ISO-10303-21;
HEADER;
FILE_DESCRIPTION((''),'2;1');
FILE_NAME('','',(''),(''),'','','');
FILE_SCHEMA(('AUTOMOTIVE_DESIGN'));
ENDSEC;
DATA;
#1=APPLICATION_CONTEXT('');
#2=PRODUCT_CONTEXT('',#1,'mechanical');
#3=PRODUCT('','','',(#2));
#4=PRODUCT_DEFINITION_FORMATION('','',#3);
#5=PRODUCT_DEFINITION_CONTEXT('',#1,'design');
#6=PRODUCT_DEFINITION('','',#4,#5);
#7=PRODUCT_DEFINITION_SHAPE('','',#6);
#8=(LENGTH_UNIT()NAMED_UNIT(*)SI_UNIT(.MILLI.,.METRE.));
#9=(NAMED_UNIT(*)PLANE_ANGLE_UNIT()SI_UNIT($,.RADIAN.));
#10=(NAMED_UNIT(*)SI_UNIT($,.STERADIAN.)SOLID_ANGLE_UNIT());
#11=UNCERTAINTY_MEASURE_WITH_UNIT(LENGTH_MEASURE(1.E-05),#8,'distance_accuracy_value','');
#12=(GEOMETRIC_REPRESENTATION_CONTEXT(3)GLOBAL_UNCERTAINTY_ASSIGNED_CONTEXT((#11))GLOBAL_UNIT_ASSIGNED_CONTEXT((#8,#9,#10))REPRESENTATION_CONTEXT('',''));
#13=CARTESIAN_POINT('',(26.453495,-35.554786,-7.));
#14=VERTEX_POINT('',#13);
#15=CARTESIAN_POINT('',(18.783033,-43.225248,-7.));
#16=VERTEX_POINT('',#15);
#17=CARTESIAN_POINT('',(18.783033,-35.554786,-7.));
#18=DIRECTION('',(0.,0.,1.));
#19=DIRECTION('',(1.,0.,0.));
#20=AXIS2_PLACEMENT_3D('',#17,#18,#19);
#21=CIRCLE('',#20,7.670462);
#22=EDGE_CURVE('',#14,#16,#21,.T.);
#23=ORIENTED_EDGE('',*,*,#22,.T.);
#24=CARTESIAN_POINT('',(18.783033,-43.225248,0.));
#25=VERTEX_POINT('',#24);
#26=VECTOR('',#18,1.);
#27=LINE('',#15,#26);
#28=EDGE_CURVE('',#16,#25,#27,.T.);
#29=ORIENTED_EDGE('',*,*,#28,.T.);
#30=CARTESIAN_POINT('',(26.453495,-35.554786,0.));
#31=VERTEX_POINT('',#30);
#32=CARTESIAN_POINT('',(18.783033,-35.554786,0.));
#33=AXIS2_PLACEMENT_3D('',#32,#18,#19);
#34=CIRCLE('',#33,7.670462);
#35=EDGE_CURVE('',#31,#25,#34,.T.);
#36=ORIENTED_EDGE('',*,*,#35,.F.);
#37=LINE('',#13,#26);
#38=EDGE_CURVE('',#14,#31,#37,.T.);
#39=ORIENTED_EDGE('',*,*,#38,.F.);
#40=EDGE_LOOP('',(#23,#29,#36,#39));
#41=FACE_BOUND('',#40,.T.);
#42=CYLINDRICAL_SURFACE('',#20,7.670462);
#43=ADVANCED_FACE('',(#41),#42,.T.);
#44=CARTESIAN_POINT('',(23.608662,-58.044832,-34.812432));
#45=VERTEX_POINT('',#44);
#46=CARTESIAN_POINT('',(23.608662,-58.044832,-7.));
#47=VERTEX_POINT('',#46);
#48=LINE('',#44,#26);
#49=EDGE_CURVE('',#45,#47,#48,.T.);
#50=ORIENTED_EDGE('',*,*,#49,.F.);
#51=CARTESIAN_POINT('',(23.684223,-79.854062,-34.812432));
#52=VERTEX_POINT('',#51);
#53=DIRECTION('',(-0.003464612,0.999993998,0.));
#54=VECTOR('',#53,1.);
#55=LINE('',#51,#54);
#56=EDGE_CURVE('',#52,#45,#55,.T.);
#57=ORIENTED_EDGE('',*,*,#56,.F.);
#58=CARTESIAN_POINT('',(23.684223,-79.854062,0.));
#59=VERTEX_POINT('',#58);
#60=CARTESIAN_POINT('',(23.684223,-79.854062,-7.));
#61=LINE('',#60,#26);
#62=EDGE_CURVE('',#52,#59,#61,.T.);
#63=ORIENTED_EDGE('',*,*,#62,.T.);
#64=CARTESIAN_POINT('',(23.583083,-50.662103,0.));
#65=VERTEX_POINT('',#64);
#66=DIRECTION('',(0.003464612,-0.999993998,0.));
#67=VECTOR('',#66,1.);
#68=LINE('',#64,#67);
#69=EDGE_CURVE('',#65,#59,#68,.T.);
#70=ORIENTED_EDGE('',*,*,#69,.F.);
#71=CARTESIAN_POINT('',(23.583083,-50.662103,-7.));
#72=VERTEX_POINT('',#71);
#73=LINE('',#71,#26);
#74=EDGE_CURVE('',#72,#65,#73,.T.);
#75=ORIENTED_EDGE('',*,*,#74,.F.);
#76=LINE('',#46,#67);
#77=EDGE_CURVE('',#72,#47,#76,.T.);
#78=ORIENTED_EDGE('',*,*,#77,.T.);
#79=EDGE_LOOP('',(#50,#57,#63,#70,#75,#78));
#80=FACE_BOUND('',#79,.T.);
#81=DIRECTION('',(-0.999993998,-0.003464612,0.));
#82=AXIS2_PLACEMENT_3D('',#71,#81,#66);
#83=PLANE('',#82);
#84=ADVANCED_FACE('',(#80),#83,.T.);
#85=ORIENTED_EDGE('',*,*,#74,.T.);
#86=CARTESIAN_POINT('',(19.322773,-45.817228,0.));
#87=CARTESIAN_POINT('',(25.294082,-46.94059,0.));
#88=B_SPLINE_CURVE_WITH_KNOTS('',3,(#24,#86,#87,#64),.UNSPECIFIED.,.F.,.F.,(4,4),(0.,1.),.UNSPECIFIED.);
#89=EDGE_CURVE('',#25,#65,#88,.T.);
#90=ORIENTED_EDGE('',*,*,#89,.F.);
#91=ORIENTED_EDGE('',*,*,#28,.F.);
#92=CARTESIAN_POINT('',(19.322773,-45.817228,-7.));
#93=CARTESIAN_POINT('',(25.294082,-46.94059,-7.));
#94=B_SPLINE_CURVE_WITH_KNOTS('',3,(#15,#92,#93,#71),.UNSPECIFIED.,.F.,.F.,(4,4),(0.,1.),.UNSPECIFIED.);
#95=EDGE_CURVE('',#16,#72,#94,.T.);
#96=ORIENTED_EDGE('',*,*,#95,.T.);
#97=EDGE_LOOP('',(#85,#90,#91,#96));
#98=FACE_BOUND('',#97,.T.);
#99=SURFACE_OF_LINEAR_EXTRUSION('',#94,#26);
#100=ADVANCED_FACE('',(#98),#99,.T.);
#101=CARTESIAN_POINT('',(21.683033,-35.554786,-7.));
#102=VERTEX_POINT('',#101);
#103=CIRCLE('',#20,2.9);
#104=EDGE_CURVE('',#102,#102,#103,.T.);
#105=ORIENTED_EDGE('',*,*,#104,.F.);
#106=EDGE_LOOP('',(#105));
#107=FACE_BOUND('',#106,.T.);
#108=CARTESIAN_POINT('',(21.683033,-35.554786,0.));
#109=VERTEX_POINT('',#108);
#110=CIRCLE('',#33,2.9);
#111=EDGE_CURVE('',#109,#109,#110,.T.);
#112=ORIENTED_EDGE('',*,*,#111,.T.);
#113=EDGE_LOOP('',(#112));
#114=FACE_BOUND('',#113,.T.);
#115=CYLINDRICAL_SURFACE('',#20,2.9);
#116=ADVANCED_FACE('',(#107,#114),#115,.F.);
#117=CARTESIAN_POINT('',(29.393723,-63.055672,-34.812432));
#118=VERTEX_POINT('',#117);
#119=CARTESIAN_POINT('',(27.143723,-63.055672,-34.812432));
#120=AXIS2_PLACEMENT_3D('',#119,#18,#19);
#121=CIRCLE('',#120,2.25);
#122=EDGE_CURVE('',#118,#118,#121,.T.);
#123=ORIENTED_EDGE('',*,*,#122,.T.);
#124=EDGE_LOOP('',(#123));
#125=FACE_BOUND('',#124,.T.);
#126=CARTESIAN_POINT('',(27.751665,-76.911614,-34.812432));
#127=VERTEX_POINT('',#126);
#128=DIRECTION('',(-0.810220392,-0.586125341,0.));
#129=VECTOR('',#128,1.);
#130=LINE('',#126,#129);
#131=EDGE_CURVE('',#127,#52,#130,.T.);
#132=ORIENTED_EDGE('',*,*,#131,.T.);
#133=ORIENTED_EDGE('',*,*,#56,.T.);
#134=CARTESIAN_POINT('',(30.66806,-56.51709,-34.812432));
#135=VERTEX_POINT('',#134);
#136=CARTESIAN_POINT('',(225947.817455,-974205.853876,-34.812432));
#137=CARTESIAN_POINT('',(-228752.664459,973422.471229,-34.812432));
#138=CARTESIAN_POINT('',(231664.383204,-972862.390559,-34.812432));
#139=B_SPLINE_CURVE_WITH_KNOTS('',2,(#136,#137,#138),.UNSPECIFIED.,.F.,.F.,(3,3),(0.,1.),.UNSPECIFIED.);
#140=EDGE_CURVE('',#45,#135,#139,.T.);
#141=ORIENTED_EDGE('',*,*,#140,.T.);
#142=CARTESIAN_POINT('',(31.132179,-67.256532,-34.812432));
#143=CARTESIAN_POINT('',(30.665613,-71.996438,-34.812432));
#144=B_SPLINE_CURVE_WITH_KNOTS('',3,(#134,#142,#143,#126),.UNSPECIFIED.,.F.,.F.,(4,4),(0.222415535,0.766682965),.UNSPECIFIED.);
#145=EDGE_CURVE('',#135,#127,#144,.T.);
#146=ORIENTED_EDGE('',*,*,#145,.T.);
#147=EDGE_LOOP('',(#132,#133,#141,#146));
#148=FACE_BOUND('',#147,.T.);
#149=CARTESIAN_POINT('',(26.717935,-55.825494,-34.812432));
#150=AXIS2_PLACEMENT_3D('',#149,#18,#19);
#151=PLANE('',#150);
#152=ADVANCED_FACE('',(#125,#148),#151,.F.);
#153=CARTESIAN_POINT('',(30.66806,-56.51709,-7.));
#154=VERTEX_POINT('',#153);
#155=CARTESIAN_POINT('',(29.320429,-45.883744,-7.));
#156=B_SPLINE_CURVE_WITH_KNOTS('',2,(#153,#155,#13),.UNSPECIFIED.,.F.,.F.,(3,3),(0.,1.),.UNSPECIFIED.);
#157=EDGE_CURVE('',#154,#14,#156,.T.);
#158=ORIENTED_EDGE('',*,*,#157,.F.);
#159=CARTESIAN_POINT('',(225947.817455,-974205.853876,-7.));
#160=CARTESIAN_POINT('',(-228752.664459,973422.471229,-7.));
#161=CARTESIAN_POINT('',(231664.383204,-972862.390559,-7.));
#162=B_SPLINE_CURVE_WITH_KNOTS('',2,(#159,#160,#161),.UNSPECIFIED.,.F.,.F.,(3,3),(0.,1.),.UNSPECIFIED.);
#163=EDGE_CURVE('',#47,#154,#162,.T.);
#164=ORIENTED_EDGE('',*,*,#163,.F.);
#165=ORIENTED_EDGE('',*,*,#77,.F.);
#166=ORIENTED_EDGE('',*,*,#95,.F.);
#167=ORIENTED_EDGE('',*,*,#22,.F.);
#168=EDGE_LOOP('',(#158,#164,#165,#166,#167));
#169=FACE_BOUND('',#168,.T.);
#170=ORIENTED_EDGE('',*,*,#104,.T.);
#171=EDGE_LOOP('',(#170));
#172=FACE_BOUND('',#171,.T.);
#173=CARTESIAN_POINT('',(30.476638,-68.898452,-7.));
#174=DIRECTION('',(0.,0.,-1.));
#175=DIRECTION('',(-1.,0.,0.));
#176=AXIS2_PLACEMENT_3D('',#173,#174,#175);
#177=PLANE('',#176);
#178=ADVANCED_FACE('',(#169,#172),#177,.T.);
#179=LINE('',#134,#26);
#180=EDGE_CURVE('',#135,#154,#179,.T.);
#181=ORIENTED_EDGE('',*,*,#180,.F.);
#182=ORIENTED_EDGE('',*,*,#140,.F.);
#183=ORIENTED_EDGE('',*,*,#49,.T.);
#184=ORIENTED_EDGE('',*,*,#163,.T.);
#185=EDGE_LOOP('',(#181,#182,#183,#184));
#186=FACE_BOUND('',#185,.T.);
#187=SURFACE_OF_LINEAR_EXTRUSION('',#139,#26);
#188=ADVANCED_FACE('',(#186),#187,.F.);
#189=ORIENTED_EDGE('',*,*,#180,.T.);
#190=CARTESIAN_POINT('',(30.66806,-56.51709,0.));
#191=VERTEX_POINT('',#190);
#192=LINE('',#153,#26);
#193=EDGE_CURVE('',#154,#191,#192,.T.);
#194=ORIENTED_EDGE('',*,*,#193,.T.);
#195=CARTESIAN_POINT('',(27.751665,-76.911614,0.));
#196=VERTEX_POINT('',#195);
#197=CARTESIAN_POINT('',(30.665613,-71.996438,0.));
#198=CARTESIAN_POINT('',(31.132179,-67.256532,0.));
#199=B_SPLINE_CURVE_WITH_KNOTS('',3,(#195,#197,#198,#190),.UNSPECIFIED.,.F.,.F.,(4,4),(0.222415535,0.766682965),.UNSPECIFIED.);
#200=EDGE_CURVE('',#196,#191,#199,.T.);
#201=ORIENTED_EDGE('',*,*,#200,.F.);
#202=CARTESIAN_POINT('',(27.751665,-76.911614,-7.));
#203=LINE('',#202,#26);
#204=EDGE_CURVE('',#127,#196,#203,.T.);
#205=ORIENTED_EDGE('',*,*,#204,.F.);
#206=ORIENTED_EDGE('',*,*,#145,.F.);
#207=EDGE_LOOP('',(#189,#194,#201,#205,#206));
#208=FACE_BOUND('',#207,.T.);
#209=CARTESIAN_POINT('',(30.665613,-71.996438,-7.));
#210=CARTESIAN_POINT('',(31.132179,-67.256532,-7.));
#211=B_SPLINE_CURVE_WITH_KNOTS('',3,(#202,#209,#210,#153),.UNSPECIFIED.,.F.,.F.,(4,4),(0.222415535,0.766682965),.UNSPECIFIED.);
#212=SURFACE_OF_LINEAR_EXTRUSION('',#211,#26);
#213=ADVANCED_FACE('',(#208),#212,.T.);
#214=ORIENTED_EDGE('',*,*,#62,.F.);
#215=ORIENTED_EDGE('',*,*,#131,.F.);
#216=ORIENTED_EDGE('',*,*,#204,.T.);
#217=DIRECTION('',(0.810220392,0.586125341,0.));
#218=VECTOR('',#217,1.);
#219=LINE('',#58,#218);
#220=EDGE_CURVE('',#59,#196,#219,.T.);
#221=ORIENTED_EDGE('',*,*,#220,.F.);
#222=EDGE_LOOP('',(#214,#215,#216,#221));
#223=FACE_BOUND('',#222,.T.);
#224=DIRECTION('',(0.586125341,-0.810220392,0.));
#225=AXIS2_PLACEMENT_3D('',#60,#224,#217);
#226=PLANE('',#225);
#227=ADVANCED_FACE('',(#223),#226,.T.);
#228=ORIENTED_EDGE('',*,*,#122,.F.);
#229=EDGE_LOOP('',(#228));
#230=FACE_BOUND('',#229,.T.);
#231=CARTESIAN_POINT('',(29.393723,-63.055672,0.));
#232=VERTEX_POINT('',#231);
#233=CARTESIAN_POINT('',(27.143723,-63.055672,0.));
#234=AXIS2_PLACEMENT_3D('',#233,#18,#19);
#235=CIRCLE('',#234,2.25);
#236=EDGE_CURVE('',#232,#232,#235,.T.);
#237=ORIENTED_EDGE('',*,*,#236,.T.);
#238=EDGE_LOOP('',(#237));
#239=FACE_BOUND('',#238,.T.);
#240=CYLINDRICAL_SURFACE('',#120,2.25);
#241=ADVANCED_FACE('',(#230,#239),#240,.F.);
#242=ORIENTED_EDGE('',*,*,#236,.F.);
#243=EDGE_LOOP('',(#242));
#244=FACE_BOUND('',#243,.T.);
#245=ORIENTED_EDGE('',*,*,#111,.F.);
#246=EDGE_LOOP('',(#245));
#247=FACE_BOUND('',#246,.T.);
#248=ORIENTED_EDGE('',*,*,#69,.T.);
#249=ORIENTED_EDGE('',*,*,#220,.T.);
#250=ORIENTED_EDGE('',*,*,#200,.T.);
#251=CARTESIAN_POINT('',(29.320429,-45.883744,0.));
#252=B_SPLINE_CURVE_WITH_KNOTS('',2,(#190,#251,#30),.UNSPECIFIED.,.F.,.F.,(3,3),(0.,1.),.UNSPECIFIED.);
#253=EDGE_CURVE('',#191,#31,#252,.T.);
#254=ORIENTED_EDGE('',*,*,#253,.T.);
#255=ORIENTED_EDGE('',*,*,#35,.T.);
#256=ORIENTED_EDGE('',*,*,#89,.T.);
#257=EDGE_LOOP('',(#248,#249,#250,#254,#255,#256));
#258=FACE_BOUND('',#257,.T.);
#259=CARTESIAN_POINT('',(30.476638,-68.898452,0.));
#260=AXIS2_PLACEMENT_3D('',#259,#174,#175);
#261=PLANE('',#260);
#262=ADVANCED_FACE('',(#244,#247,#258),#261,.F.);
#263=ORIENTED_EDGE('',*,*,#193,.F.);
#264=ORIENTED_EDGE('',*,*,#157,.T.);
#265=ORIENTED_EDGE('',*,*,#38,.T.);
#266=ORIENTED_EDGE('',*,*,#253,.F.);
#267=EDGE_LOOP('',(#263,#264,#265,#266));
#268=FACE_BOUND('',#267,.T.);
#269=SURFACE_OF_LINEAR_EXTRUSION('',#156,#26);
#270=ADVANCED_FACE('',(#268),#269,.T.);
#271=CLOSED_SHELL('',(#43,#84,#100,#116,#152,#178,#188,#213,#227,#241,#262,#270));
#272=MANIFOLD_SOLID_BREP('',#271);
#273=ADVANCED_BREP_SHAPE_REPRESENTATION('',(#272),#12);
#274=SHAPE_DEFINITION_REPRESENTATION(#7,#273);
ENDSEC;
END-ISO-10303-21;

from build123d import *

# Parameters (mm, degrees)
SKETCH1_R           = 2.9
BOSS_EXTRUDE1_DEPTH = 7
BOSS_EXTRUDE2_DEPTH = 27.812432
SKETCH3_R           = 2.25
CUT_EXTRUDE1_DEPTH  = 93.404830354


with BuildPart() as part:
    # Sketch1 → Boss-Extrude1 (new body)
    with BuildSketch(Plane.XY):
        with BuildLine():
            Line((23.684222564, -79.854061858), (27.751665024, -76.911614194))
            add(Edge.make_bspline(
                [(27.751665024, -76.911614194), (30.665612651, -71.996437575), (31.13217948, -67.256532156), (30.668059578, -56.517089881)],
                knots=[0.222415535, 0.222415535, 0.222415535, 0.222415535, 0.766682965, 0.766682965, 0.766682965, 0.766682965], degree=3))
            add(Edge.make_bspline(
                [(30.668059578, -56.517089881), (29.320428981, -45.88374403), (26.453494832, -35.554786486)],
                knots=[0, 0, 0, 1, 1, 1], degree=2))
            ThreePointArc((26.453494832, -35.554786486), (13.359197662, -30.130951008), (18.783033139, -43.225248178))
            add(Edge.make_bspline(
                [(18.783033139, -43.225248178), (19.322772584, -45.817228322), (25.294082339, -46.94058971), (23.583083134, -50.662102957)],
                knots=[0, 0, 0, 0, 1, 1, 1, 1], degree=3))
            Line((23.583083134, -50.662102957), (23.608661583, -58.04483203))
            Line((23.608661583, -58.04483203), (23.684222564, -79.854061858))
        make_face()
        with Locations((18.783033139, -35.554786486)):
            Circle(SKETCH1_R, mode=Mode.SUBTRACT)
    extrude(amount=-BOSS_EXTRUDE1_DEPTH)

    # Sketch2 → Boss-Extrude2 (add)
    with BuildSketch(Plane(origin=(0, 0, -7), x_dir=(-1, 0, 0), z_dir=(0, 0, -1))):
        with BuildLine():
            Line((-27.751665024, -76.911614194), (-23.684222564, -79.854061858))
            Line((-23.684222564, -79.854061858), (-23.608661583, -58.04483203))
            add(Edge.make_bspline(
                [(-23.608661583, -58.04483203), (-26.446360253, -54.336432943), (-30.668059578, -56.51708988)],
                knots=[0, 0, 0, 1, 1, 1], degree=2))
            add(Edge.make_bspline(
                [(-30.668059578, -56.51708988), (-31.132179479, -67.256532155), (-30.665612651, -71.996437575), (-27.751665024, -76.911614194)],
                knots=[0.222415535, 0.222415535, 0.222415535, 0.222415535, 0.766682965, 0.766682965, 0.766682965, 0.766682965], degree=3))
        make_face()
    extrude(amount=BOSS_EXTRUDE2_DEPTH)

    # Sketch3 → Cut-Extrude1 (cut, through all)
    with BuildSketch(Plane.XY):
        with Locations((27.143723241, -63.055671712)):
            Circle(SKETCH3_R)
    extrude(amount=-CUT_EXTRUDE1_DEPTH, mode=Mode.SUBTRACT)


solid = part.part
